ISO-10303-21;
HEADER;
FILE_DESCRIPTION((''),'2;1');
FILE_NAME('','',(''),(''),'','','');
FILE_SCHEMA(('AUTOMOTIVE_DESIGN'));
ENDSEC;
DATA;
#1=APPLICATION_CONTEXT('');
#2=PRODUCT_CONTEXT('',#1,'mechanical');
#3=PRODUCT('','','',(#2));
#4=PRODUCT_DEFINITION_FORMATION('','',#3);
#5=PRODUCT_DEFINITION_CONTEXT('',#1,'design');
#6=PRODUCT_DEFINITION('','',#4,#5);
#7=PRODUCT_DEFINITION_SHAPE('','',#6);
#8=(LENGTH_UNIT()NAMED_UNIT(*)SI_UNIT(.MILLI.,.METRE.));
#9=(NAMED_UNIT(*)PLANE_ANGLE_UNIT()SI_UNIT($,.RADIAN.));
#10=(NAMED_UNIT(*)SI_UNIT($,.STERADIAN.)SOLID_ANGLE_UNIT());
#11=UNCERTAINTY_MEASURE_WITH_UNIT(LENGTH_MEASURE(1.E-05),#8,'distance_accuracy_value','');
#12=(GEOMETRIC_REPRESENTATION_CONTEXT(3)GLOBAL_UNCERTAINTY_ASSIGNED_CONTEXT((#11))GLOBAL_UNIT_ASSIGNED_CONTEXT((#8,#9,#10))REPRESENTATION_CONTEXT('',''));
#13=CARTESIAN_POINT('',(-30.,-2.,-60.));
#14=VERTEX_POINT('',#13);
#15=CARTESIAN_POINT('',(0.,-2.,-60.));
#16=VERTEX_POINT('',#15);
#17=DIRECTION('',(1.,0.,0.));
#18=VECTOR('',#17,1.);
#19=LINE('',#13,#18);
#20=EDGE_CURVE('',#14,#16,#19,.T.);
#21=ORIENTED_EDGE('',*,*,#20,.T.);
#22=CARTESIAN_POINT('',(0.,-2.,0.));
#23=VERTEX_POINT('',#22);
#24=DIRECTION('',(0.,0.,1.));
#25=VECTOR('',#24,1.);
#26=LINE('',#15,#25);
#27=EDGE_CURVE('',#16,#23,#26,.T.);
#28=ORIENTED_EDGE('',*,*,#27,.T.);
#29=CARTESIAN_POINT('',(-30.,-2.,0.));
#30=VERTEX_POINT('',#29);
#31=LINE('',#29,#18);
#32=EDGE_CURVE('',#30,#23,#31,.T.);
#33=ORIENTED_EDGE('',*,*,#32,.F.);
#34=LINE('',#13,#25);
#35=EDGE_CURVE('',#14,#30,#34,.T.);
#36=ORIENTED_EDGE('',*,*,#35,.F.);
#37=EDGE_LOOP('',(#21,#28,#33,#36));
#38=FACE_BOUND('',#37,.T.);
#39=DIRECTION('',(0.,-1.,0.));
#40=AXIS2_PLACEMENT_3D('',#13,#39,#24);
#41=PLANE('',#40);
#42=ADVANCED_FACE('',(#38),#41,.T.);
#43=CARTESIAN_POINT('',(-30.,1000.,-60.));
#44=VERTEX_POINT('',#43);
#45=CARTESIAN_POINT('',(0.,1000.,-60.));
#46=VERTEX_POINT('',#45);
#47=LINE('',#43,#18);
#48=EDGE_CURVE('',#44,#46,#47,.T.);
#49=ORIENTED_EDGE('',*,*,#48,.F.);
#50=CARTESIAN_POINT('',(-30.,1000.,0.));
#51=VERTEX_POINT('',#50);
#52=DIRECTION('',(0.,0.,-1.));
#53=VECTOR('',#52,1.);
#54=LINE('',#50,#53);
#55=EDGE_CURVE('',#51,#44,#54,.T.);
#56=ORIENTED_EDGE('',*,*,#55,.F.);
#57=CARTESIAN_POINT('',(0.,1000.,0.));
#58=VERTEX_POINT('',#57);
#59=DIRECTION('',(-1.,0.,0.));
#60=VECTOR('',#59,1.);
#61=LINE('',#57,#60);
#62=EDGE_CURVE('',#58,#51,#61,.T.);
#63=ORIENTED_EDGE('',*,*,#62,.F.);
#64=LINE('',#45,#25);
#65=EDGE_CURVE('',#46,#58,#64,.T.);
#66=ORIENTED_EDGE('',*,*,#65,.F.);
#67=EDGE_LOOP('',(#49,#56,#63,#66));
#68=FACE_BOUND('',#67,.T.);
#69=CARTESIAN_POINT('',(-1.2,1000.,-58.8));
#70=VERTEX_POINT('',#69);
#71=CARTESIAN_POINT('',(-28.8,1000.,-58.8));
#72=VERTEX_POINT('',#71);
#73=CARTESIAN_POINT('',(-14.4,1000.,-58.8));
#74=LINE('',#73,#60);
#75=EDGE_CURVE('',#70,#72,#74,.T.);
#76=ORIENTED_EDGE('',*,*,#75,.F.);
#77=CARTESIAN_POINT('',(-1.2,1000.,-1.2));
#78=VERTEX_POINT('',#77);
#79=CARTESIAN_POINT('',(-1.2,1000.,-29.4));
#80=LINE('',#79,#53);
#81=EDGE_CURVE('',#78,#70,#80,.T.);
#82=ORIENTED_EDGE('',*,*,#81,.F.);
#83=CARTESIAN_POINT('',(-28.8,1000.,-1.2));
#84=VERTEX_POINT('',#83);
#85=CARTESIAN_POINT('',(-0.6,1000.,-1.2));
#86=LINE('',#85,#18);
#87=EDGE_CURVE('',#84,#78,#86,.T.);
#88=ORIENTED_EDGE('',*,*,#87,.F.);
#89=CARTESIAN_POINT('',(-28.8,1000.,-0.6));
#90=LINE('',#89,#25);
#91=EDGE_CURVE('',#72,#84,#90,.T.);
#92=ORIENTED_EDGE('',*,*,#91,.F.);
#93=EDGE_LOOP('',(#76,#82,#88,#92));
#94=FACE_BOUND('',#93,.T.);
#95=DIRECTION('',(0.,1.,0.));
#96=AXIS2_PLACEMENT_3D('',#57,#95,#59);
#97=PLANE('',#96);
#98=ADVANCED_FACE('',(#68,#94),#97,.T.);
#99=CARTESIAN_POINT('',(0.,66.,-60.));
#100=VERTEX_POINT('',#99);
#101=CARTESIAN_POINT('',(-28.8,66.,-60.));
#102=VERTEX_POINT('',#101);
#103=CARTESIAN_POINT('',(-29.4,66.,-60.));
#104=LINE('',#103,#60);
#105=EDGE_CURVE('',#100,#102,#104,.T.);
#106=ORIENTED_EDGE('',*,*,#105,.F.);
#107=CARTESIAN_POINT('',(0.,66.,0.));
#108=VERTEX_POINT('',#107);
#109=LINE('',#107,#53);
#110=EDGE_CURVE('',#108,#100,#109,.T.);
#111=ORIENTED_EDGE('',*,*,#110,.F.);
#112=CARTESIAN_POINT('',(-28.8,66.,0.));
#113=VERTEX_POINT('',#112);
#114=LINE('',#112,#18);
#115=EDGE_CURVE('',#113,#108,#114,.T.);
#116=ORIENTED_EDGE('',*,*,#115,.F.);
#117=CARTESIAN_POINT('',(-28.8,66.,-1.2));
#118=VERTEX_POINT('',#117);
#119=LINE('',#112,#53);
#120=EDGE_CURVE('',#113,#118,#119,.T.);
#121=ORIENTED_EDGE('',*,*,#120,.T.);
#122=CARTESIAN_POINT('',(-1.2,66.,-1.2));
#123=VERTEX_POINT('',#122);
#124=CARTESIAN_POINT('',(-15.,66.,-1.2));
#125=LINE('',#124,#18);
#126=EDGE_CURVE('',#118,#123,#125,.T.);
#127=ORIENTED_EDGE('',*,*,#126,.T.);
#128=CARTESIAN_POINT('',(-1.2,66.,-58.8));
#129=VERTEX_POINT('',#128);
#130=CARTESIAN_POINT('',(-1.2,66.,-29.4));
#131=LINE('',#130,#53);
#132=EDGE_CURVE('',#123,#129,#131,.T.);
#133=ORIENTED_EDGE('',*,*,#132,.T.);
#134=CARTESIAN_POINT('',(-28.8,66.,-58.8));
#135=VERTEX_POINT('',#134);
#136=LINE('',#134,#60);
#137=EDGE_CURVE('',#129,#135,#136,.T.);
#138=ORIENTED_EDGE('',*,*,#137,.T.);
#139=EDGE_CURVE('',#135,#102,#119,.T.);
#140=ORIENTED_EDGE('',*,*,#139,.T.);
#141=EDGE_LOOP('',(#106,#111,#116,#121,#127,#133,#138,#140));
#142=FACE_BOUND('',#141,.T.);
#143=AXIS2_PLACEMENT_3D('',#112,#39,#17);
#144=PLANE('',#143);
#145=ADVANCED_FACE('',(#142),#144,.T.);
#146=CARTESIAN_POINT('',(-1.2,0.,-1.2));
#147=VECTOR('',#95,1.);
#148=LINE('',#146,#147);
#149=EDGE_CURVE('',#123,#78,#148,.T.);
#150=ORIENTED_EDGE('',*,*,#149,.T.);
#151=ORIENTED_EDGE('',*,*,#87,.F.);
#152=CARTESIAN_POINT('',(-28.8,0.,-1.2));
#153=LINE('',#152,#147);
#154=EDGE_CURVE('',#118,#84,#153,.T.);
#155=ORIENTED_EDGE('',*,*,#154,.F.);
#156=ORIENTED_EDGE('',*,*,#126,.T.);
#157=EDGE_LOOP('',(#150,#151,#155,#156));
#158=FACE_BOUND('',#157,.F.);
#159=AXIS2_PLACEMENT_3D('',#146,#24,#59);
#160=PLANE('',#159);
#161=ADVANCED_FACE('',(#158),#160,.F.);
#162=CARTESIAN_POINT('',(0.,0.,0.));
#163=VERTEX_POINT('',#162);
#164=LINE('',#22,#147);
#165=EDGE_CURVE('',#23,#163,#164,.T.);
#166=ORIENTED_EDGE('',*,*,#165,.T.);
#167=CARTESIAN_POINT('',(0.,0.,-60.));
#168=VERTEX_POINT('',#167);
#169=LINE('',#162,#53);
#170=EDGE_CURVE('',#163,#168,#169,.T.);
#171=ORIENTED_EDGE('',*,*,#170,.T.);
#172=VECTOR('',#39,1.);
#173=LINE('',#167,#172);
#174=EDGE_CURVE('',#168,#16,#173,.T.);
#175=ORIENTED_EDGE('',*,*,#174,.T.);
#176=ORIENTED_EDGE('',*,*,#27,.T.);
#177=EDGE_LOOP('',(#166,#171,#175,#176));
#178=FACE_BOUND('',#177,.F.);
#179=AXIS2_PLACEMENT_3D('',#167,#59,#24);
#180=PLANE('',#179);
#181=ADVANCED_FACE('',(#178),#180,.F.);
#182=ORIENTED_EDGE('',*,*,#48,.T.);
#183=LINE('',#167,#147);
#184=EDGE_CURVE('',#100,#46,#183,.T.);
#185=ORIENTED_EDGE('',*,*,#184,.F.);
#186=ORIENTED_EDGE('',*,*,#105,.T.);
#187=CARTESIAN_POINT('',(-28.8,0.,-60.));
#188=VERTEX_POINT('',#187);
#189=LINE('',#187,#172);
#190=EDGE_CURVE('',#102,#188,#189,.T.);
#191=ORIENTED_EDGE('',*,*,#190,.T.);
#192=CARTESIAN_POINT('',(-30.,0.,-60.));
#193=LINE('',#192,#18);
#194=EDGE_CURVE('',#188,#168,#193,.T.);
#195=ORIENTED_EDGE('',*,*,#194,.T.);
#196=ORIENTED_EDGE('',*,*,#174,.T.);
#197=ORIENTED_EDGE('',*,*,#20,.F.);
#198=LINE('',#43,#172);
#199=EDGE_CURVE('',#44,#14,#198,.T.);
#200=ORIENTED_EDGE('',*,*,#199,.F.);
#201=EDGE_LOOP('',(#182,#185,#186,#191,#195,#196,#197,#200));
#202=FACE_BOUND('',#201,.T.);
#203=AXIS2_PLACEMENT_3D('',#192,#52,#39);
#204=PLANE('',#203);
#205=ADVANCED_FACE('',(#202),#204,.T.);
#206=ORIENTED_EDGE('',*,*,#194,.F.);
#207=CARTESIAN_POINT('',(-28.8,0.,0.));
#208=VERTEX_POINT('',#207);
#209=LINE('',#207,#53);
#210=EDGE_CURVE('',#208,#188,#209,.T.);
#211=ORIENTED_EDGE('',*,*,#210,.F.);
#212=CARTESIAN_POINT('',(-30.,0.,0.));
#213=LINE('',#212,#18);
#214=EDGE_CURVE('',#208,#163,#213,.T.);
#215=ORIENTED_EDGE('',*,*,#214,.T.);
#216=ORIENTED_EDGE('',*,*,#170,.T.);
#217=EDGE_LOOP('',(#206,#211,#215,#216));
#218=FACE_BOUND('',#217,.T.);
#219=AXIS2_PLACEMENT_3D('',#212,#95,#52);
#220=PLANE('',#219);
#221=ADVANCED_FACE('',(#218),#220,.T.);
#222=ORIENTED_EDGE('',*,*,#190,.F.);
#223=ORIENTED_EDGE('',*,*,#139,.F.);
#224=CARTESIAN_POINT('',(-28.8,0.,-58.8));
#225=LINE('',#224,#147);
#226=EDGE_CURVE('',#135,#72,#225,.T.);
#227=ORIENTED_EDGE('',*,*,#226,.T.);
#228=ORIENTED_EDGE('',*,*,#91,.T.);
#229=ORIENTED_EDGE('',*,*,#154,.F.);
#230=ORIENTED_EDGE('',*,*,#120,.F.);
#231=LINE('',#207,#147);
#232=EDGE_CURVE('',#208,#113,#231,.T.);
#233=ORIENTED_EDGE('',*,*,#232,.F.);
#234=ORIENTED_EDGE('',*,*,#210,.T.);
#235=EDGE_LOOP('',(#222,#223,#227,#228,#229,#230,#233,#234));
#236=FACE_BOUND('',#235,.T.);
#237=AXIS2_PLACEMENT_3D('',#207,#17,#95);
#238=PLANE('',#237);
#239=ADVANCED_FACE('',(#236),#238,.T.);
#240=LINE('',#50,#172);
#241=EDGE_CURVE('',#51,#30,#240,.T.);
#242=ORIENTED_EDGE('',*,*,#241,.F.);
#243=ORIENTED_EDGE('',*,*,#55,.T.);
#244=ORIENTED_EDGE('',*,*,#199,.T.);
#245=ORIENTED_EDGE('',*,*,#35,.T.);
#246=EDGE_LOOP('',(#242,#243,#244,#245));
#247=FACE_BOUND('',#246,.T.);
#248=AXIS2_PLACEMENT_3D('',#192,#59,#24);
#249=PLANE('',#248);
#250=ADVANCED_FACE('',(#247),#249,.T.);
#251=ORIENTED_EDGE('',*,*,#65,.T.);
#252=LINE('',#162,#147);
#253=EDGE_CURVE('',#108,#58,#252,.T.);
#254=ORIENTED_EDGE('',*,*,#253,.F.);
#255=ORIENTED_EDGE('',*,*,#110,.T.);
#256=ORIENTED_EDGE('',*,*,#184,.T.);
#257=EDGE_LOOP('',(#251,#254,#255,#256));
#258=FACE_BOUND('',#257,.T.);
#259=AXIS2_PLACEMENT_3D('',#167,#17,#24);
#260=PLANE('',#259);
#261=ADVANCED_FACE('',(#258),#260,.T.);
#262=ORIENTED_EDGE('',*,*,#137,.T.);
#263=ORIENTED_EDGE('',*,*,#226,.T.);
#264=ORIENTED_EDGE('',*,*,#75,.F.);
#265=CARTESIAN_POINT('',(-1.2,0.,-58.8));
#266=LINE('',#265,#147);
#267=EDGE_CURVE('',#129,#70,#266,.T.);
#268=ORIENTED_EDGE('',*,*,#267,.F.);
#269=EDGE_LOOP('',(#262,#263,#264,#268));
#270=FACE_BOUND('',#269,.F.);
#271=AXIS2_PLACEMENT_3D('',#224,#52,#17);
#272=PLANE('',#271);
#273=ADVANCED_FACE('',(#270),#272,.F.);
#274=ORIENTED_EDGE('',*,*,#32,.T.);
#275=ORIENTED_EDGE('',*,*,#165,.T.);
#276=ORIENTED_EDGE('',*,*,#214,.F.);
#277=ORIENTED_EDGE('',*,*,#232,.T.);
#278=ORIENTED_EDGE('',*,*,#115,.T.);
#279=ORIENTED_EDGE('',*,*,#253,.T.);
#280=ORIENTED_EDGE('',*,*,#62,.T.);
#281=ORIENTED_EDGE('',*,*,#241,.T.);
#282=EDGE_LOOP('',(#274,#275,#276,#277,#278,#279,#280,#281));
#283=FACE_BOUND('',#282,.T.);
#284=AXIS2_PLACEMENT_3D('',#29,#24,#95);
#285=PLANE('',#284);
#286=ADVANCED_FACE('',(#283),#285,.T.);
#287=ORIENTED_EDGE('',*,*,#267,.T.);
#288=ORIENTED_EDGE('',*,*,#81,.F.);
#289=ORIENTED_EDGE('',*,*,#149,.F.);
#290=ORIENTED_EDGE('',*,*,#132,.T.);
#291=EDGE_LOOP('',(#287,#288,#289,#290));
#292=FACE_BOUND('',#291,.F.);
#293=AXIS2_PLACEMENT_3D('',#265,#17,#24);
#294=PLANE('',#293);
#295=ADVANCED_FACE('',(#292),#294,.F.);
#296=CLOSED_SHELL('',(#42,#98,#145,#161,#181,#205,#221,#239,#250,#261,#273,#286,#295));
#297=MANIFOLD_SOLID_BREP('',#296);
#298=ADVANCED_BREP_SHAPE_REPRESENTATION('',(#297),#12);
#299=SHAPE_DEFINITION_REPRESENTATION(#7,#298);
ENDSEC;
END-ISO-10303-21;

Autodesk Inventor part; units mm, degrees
ref_plane "YZ Plane" through (0, 0, 0) normal (1, 0, 0) x (0, 1, 0)
ref_plane "XZ Plane" through (0, 0, 0) normal (0, 1, 0) x (-1, 0, 0)
ref_plane "XY Plane" through (0, 0, 0) normal (0, 0, 1) x (1, 0, 0)
sketch "Boceto1" plane through (0, 0, 0) normal (0, 1, 0) x (-1, 0, 0)
  line L0 (0, 0) -> (30, 0)
  line L1 (30, 0) -> (30, -60)
  line L2 (30, -60) -> (0, -60)
  line L3 (0, -60) -> (0, 0)
  dimension "d0" = 60
  dimension "d1" = 30
extrude "Extrusión1" add sketch "Boceto1" along normal blind 1000
sketch "Boceto2" plane through (0, 0, 0) normal (0, -1, 0) x (1, 0, 0)
  line L0 (-1.2, -1.2) -> (-28.8, -1.2)
  line L1 (-28.8, -1.2) -> (-28.8, -58.8)
  line L2 (-28.8, -58.8) -> (-1.2, -58.8)
  line L3 (-1.2, -58.8) -> (-1.2, -1.2)
  line L4 (0, 0) -> (0, -60) projected
  line L5 (-30, -60) -> (-30, 0) projected
  line L6 (-30, 0) -> (0, 0) projected
  line L7 (0, -60) -> (-30, -60) projected
  dimension "d4" = 1.2
  dimension "d5" = 1.2
  dimension "d6" = 1.2
  dimension "d7" = 1.2
extrude "Extrusión2" cut sketch "Boceto2" against normal through all contours L3 L2 L1 L0
sketch "Boceto3" plane through (-30, 0, 0) normal (0, 0, 1) x (1, 0, 0)
  line L0 (30, 0) -> (1.2, 0)
  line L1 (1.2, 0) -> (1.2, 66)
  line L2 (1.2, 66) -> (30, 66)
  line L3 (30, 66) -> (30, 0)
  line L4 (0, 0) -> (0, 1000) projected
  dimension "d10" = 1.2
  dimension "d11" = 66
extrude "Extrusión3" cut sketch "Boceto3" against normal through all
sketch "Boceto4" plane through (-28.8, 0, 0) normal (1, 0, 0) x (0, 0, -1)
  point P0 (0, 0)
sketch "Boceto5" plane through (-30, 0, -60) normal (-1, 0, 0) x (0, 0, 1)
  line L0 (60, 0) -> (0, 0)
  line L1 (0, 0) -> (0, -2)
  line L2 (0, -2) -> (60, -2)
  line L3 (60, -2) -> (60, 0)
  dimension "d14" = 2
extrude "Extrusión4" add sketch "Boceto5" against normal blind 30
properties part number "Expendedor"
